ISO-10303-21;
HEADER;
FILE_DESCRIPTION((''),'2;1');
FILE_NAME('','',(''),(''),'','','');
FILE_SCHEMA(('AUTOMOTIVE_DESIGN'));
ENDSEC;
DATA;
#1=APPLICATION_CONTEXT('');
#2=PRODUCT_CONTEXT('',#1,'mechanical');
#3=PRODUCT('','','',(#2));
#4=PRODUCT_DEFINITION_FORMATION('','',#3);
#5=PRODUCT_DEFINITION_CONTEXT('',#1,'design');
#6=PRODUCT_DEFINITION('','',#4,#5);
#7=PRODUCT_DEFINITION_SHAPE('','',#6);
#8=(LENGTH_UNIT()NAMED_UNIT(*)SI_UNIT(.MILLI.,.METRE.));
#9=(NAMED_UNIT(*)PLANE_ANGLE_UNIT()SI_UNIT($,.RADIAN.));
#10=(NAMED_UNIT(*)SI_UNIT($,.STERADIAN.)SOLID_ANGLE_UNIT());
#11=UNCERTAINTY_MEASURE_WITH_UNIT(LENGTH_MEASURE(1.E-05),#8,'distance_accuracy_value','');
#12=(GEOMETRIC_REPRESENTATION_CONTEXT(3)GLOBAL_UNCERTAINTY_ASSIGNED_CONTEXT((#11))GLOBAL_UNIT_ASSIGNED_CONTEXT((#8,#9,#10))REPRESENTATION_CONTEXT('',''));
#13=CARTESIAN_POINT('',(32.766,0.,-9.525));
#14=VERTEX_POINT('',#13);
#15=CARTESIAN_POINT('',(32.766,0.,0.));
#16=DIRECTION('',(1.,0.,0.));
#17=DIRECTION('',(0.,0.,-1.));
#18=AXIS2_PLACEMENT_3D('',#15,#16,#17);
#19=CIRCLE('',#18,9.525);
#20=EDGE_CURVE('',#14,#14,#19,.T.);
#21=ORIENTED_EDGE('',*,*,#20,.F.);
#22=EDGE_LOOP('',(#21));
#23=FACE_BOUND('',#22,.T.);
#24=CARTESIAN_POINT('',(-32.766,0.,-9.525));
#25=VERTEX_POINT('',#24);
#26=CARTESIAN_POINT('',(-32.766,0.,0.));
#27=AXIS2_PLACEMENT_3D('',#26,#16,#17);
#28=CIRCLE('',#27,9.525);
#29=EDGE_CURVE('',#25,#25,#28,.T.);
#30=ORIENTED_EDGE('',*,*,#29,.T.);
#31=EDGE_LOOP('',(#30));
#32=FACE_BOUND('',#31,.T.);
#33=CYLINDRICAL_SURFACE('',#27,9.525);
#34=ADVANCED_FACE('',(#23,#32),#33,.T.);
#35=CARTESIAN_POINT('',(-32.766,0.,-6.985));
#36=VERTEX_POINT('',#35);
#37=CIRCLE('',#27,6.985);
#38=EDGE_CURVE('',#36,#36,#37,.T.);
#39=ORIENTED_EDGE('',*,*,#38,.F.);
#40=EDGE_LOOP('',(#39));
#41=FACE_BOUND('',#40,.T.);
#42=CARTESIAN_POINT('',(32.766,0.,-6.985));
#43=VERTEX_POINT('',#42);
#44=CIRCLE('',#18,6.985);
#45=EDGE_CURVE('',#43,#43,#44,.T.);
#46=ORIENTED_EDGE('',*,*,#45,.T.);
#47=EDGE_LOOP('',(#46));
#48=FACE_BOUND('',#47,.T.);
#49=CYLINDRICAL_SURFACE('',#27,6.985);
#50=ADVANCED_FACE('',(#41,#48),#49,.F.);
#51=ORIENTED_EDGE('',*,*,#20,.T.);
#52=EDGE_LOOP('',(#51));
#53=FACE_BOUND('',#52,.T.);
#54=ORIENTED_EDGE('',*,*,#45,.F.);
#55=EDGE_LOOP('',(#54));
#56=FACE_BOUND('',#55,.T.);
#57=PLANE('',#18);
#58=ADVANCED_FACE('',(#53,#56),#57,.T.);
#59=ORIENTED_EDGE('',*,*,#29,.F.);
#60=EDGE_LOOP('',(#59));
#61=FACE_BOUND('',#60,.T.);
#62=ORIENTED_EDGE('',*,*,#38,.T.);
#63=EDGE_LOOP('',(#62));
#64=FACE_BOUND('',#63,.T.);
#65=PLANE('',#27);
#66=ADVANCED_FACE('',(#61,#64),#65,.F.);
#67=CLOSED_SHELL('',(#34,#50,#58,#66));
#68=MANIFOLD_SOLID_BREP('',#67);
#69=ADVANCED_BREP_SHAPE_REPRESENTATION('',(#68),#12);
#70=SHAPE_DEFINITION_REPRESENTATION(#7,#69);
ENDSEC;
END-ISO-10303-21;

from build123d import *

# Parameters (mm, degrees)
SWEEP_THIN1_PROFILE_R   = 9.525
SWEEP_THIN1_PROFILE_R_2 = 6.985


with BuildPart() as part:
    # Sweep-Thin1: sweep along a curve in space
    with BuildLine() as sweep_thin1_path:
        Line((-32.766, 0, 0), (32.766, 0, 0))
    # Sweep-Thin1 profile (on start of the path) → Sweep-Thin1 (sweep)
    with BuildSketch(Plane(origin=(-32.766, 0, 0), x_dir=(0, 0, 1), z_dir=(1, 0, 0))):
        Circle(SWEEP_THIN1_PROFILE_R)
        Circle(SWEEP_THIN1_PROFILE_R_2, mode=Mode.SUBTRACT)
    sweep(path=sweep_thin1_path.line)


solid = part.part
